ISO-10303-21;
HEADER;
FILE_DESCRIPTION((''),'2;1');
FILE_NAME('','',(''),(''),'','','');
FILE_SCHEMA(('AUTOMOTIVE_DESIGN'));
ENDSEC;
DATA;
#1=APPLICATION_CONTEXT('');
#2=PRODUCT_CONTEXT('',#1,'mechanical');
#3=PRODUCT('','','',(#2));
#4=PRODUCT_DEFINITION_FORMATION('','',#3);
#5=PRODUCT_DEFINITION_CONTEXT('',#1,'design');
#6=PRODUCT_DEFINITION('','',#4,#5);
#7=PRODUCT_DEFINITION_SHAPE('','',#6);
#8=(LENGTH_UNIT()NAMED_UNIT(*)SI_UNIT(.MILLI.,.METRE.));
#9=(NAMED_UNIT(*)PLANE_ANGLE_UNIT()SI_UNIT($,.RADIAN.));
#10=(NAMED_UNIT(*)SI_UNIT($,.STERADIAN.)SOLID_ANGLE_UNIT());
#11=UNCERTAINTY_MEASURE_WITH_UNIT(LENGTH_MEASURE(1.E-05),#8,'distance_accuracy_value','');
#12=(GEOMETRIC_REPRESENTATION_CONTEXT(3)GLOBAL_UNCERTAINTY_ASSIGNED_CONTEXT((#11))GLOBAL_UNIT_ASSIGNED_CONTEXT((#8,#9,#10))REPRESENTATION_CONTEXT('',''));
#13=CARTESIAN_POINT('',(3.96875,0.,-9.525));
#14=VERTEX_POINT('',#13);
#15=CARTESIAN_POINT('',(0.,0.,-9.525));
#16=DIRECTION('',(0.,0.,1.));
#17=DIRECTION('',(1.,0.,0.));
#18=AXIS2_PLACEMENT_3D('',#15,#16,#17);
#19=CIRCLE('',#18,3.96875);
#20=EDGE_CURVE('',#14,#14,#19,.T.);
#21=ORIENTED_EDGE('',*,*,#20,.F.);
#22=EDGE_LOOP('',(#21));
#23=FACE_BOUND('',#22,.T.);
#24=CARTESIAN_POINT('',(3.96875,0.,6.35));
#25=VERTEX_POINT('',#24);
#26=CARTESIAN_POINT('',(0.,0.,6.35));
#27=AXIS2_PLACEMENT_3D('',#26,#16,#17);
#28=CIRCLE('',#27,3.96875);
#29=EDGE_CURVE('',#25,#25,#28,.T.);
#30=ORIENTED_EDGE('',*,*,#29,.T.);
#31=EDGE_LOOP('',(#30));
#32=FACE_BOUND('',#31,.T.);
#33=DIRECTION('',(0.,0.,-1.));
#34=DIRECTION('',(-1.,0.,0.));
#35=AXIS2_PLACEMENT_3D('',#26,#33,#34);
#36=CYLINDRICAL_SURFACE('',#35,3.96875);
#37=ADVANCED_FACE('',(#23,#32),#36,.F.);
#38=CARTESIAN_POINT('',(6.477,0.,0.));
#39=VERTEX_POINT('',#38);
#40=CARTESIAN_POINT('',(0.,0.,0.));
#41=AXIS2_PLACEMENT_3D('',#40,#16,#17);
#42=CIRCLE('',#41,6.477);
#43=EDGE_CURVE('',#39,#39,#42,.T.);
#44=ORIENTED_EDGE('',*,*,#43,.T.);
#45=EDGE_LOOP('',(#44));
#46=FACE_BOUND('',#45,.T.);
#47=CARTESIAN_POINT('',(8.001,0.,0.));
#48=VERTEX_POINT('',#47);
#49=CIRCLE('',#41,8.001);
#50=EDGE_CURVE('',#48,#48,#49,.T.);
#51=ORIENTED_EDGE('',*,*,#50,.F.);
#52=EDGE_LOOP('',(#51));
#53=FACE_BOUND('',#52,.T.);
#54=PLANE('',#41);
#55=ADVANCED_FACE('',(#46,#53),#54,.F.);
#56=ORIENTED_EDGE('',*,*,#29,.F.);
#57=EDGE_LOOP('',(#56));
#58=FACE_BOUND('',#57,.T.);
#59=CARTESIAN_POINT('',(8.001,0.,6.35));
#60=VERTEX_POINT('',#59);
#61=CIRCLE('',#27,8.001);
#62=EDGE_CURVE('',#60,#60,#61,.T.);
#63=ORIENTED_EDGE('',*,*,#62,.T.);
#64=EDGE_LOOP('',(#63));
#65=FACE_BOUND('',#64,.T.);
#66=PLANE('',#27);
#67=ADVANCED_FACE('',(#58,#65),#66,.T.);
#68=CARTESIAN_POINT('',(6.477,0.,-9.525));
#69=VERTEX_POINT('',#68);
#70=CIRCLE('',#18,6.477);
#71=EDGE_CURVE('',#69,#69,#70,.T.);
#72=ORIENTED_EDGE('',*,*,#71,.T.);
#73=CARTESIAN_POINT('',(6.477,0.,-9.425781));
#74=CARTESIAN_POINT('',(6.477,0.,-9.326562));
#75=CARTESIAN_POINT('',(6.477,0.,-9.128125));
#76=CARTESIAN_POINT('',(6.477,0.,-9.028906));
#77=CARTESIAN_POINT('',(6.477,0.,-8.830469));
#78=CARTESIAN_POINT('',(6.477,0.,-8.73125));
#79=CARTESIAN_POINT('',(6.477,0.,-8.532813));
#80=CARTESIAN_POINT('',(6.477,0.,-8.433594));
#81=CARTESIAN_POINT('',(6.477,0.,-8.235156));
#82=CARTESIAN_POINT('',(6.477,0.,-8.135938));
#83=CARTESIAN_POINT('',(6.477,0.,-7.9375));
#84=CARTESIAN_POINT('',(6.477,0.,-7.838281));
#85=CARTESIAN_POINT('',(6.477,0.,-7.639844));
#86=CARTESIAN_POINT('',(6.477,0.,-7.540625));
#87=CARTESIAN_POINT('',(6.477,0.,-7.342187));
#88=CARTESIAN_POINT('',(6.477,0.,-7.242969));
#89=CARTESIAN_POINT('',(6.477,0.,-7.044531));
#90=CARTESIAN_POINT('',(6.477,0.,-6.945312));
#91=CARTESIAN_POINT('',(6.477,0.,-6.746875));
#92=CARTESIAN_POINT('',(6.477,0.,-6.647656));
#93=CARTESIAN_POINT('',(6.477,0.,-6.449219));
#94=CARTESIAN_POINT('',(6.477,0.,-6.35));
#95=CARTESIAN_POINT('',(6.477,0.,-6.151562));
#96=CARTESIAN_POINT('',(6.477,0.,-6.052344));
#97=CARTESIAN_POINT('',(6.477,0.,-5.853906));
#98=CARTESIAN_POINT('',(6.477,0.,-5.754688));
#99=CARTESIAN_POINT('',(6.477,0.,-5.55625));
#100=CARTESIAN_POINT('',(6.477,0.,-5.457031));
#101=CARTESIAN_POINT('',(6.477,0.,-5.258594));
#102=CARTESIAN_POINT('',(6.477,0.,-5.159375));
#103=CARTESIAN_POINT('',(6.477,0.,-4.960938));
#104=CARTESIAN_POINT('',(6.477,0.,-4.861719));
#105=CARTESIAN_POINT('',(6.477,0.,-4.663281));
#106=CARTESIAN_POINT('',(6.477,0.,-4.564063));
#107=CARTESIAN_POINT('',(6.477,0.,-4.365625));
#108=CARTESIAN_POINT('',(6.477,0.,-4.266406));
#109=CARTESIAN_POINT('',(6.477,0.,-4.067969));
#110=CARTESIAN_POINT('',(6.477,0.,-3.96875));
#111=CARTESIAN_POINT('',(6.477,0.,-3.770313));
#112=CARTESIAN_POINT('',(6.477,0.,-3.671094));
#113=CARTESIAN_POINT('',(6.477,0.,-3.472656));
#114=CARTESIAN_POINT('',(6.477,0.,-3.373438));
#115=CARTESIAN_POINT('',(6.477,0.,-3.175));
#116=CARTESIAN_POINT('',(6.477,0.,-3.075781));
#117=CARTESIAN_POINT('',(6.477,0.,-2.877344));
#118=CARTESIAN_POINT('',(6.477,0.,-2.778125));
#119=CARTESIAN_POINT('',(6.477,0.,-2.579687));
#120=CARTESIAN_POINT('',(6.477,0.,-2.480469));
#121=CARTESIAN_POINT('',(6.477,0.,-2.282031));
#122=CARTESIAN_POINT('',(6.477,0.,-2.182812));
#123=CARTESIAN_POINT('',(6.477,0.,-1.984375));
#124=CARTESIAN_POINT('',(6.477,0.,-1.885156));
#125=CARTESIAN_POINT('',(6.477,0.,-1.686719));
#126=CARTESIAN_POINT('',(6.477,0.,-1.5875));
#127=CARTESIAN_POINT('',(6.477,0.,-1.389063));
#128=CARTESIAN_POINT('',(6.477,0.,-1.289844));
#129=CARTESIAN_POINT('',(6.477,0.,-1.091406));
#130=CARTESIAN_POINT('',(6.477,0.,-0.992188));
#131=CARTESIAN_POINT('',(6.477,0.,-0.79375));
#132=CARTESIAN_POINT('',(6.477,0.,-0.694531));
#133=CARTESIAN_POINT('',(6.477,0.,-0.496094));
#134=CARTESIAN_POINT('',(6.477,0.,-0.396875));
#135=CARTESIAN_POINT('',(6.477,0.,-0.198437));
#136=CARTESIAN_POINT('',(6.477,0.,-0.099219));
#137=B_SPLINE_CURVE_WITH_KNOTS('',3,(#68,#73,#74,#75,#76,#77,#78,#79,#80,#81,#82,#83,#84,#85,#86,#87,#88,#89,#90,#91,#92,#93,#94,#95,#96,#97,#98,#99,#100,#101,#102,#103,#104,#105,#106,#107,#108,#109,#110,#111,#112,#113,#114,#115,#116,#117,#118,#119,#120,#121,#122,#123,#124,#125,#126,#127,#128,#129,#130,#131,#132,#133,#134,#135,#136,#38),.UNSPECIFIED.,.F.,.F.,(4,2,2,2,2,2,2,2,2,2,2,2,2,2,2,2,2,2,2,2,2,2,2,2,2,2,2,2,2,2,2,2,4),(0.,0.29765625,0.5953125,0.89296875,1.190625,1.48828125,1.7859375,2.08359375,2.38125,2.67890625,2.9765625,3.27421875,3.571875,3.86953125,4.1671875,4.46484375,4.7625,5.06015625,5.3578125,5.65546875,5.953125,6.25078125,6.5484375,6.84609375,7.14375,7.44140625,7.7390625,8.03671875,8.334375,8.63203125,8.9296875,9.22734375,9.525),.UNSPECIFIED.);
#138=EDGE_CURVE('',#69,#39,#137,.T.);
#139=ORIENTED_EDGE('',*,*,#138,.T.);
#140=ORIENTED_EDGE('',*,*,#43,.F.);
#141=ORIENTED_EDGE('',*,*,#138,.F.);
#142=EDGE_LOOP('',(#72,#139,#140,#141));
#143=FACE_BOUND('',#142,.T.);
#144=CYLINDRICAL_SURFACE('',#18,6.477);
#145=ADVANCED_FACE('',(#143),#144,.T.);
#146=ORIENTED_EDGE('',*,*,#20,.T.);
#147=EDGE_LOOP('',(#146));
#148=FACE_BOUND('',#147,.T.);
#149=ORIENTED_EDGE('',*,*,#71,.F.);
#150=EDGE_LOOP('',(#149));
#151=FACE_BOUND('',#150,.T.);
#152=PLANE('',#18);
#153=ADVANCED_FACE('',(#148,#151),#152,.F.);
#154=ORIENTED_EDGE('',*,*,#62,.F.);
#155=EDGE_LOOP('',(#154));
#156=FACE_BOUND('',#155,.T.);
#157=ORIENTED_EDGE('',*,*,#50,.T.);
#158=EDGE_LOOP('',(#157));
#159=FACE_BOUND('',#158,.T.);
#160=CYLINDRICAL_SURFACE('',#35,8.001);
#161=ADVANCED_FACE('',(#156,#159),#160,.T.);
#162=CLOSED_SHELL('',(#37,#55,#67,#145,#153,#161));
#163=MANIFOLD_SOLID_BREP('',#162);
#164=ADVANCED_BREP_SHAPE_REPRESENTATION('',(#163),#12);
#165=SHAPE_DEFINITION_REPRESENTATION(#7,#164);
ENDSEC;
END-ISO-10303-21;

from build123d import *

# Parameters (mm, degrees)
SKETCH1_R           = 8.001
SKETCH1_R_2         = 3.96875
OUTER_DEPTH         = 6.35
BOSS_EXTRUDE2_START = -9.525
SKETCH1_3_R         = 6.477
SKETCH1_3_R_2       = 3.96875
BOSS_EXTRUDE2_DEPTH = 9.525


with BuildPart() as part:
    # Sketch1 → Outer (new body)
    with BuildSketch(Plane.XY):
        Circle(SKETCH1_R)
        Circle(SKETCH1_R_2, mode=Mode.SUBTRACT)
    extrude(amount=OUTER_DEPTH)

    # Sketch1<3> → Boss-Extrude2 (add)
    with BuildSketch(Plane.XY.offset(BOSS_EXTRUDE2_START)):
        Circle(SKETCH1_3_R)
        Circle(SKETCH1_3_R_2, mode=Mode.SUBTRACT)
    extrude(amount=BOSS_EXTRUDE2_DEPTH)


solid = part.part
